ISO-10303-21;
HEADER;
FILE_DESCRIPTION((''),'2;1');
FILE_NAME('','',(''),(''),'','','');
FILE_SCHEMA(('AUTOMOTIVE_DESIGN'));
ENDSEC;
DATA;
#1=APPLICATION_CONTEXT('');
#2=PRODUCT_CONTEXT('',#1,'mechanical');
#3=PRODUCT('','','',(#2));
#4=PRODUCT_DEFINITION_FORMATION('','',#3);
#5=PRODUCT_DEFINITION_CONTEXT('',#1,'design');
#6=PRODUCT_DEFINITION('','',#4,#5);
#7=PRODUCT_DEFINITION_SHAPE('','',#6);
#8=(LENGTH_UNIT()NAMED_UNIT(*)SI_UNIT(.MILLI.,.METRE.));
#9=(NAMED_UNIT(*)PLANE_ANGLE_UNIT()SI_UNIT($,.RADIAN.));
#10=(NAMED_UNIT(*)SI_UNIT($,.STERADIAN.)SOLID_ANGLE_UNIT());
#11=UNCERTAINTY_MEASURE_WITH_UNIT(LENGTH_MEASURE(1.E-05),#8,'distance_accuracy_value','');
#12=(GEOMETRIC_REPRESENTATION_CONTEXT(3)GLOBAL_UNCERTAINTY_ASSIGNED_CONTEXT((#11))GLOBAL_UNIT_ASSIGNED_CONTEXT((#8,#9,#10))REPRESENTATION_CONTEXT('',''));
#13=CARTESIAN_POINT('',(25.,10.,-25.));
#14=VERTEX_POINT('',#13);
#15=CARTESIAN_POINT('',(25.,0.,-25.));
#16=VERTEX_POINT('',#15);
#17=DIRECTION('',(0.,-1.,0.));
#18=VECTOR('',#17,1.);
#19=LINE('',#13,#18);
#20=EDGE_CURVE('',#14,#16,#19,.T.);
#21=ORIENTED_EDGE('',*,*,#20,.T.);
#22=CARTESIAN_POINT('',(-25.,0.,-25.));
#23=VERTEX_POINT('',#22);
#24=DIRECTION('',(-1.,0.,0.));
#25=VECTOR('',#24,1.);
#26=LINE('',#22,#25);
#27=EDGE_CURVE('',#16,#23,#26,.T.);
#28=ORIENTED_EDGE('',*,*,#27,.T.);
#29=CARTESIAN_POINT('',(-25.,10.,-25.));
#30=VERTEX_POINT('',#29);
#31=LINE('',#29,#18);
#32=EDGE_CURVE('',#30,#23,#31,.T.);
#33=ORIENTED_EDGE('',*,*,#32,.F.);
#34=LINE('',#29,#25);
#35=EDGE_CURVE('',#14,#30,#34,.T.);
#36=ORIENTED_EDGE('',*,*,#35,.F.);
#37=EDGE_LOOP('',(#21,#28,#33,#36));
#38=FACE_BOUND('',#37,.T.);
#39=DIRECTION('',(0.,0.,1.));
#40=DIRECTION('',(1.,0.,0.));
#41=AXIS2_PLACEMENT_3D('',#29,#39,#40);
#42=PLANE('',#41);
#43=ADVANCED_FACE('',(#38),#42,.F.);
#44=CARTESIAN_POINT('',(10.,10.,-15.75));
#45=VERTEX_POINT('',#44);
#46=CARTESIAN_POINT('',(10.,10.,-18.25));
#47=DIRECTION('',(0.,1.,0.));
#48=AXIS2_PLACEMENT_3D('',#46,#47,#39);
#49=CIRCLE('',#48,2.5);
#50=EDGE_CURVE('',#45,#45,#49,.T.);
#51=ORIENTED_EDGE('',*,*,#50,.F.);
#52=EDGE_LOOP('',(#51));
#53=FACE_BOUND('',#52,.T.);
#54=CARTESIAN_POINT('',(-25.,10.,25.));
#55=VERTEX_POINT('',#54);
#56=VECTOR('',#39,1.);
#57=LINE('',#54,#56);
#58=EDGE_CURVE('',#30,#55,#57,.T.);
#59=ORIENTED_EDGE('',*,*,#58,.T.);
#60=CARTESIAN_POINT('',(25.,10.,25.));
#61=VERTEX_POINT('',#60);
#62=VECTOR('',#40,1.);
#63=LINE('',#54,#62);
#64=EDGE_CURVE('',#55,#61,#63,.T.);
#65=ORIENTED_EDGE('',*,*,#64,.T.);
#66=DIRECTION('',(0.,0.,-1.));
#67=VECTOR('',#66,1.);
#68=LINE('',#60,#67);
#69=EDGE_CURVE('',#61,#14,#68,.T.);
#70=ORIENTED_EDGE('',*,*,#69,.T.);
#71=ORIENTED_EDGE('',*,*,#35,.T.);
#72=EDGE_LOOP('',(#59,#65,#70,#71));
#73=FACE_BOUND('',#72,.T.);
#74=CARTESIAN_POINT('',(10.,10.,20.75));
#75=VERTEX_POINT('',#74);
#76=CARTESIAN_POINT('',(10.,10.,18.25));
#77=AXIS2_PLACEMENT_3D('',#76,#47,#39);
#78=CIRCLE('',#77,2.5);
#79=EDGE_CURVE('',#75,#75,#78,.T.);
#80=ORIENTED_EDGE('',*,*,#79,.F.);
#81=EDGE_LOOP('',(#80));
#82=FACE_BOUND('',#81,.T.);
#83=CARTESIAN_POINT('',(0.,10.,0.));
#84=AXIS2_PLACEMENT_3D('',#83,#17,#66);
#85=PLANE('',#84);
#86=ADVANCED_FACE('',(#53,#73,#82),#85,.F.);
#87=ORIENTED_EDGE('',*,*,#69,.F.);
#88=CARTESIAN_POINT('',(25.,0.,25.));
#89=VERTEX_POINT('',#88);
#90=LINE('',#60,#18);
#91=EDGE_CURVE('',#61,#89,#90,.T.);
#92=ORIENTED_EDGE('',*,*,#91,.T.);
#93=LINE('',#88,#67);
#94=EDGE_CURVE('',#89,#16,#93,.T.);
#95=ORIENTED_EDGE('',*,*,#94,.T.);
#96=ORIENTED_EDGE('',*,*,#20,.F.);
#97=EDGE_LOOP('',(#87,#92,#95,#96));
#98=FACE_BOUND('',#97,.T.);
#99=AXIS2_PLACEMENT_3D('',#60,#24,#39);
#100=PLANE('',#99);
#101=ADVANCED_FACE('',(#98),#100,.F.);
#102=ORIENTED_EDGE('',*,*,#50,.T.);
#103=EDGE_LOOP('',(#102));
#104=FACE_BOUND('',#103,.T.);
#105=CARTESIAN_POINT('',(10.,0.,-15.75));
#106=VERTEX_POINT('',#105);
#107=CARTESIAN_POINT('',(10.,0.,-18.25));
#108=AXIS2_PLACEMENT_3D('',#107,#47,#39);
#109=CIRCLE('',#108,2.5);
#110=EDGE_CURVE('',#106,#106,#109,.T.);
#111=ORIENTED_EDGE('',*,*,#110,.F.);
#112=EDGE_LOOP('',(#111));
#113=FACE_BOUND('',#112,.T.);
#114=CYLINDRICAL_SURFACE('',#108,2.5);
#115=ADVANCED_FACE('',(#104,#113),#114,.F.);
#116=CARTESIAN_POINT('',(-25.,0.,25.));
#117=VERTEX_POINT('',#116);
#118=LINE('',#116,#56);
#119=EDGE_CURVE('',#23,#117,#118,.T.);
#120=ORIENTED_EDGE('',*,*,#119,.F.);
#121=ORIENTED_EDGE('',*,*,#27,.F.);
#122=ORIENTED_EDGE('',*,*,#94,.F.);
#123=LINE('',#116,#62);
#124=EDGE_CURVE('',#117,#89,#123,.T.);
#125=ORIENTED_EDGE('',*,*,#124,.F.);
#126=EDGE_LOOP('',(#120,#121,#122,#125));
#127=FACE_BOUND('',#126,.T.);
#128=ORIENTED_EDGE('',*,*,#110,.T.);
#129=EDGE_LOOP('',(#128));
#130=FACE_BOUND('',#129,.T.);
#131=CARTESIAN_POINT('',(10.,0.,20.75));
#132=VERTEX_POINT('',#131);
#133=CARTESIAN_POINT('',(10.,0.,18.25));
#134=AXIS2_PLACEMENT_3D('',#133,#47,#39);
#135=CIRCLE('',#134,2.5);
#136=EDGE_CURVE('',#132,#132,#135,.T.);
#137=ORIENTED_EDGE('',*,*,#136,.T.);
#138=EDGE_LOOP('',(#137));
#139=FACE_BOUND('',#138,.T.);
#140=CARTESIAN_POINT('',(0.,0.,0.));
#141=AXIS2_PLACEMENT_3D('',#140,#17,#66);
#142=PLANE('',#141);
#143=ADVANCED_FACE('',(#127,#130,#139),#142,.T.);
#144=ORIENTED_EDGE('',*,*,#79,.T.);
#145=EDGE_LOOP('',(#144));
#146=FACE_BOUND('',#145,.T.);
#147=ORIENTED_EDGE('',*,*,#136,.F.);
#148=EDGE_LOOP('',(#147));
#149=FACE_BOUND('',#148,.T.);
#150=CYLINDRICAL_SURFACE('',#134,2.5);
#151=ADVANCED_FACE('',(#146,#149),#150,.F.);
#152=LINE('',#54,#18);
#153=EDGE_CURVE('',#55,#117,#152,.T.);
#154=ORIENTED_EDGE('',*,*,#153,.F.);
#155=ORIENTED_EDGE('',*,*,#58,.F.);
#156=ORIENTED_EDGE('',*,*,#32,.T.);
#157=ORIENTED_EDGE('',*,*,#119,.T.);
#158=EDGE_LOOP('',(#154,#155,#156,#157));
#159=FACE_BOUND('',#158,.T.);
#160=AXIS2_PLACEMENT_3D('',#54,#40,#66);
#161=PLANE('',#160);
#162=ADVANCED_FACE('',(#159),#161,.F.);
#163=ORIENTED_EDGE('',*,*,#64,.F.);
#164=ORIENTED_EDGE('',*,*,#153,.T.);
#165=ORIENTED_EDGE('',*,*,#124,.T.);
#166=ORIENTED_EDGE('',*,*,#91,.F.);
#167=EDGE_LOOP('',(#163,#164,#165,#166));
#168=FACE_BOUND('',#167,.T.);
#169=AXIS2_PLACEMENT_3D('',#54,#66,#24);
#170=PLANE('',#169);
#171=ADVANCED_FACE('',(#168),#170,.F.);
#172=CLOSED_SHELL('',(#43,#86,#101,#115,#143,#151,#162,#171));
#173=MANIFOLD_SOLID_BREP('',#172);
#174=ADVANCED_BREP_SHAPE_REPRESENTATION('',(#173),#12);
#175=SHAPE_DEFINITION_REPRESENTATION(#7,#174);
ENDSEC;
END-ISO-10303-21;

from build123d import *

# Parameters (mm, degrees)
ESBO_O2_W                = 50
ESBO_O2_H                = 50
RESSALTO_EXTRUS_O2_DEPTH = 10
ESBO_O5_R                = 2.5
CORTE_EXTRUS_O5_DEPTH    = 37.742346142


with BuildPart() as part:
    # Esboço2 → Ressalto-extrusão2 (new body)
    with BuildSketch(Plane(origin=(0, 0, 0), x_dir=(1, 0, 0), z_dir=(0, 1, 0))):
        Rectangle(ESBO_O2_W, ESBO_O2_H)
    extrude(amount=RESSALTO_EXTRUS_O2_DEPTH)

    # Esboço5 → Corte-extrusão5 (cut, through all)
    with BuildSketch(Plane(origin=(0, 10, 0), x_dir=(1, 0, 0), z_dir=(0, 1, 0))):
        with Locations(Location((10, 18.25, 0), (0, 0, 270))):
            Circle(ESBO_O5_R)
        with Locations(Location((10, -18.25, 0), (0, 0, 270))):
            Circle(ESBO_O5_R)
    extrude(amount=-CORTE_EXTRUS_O5_DEPTH, mode=Mode.SUBTRACT)


solid = part.part
